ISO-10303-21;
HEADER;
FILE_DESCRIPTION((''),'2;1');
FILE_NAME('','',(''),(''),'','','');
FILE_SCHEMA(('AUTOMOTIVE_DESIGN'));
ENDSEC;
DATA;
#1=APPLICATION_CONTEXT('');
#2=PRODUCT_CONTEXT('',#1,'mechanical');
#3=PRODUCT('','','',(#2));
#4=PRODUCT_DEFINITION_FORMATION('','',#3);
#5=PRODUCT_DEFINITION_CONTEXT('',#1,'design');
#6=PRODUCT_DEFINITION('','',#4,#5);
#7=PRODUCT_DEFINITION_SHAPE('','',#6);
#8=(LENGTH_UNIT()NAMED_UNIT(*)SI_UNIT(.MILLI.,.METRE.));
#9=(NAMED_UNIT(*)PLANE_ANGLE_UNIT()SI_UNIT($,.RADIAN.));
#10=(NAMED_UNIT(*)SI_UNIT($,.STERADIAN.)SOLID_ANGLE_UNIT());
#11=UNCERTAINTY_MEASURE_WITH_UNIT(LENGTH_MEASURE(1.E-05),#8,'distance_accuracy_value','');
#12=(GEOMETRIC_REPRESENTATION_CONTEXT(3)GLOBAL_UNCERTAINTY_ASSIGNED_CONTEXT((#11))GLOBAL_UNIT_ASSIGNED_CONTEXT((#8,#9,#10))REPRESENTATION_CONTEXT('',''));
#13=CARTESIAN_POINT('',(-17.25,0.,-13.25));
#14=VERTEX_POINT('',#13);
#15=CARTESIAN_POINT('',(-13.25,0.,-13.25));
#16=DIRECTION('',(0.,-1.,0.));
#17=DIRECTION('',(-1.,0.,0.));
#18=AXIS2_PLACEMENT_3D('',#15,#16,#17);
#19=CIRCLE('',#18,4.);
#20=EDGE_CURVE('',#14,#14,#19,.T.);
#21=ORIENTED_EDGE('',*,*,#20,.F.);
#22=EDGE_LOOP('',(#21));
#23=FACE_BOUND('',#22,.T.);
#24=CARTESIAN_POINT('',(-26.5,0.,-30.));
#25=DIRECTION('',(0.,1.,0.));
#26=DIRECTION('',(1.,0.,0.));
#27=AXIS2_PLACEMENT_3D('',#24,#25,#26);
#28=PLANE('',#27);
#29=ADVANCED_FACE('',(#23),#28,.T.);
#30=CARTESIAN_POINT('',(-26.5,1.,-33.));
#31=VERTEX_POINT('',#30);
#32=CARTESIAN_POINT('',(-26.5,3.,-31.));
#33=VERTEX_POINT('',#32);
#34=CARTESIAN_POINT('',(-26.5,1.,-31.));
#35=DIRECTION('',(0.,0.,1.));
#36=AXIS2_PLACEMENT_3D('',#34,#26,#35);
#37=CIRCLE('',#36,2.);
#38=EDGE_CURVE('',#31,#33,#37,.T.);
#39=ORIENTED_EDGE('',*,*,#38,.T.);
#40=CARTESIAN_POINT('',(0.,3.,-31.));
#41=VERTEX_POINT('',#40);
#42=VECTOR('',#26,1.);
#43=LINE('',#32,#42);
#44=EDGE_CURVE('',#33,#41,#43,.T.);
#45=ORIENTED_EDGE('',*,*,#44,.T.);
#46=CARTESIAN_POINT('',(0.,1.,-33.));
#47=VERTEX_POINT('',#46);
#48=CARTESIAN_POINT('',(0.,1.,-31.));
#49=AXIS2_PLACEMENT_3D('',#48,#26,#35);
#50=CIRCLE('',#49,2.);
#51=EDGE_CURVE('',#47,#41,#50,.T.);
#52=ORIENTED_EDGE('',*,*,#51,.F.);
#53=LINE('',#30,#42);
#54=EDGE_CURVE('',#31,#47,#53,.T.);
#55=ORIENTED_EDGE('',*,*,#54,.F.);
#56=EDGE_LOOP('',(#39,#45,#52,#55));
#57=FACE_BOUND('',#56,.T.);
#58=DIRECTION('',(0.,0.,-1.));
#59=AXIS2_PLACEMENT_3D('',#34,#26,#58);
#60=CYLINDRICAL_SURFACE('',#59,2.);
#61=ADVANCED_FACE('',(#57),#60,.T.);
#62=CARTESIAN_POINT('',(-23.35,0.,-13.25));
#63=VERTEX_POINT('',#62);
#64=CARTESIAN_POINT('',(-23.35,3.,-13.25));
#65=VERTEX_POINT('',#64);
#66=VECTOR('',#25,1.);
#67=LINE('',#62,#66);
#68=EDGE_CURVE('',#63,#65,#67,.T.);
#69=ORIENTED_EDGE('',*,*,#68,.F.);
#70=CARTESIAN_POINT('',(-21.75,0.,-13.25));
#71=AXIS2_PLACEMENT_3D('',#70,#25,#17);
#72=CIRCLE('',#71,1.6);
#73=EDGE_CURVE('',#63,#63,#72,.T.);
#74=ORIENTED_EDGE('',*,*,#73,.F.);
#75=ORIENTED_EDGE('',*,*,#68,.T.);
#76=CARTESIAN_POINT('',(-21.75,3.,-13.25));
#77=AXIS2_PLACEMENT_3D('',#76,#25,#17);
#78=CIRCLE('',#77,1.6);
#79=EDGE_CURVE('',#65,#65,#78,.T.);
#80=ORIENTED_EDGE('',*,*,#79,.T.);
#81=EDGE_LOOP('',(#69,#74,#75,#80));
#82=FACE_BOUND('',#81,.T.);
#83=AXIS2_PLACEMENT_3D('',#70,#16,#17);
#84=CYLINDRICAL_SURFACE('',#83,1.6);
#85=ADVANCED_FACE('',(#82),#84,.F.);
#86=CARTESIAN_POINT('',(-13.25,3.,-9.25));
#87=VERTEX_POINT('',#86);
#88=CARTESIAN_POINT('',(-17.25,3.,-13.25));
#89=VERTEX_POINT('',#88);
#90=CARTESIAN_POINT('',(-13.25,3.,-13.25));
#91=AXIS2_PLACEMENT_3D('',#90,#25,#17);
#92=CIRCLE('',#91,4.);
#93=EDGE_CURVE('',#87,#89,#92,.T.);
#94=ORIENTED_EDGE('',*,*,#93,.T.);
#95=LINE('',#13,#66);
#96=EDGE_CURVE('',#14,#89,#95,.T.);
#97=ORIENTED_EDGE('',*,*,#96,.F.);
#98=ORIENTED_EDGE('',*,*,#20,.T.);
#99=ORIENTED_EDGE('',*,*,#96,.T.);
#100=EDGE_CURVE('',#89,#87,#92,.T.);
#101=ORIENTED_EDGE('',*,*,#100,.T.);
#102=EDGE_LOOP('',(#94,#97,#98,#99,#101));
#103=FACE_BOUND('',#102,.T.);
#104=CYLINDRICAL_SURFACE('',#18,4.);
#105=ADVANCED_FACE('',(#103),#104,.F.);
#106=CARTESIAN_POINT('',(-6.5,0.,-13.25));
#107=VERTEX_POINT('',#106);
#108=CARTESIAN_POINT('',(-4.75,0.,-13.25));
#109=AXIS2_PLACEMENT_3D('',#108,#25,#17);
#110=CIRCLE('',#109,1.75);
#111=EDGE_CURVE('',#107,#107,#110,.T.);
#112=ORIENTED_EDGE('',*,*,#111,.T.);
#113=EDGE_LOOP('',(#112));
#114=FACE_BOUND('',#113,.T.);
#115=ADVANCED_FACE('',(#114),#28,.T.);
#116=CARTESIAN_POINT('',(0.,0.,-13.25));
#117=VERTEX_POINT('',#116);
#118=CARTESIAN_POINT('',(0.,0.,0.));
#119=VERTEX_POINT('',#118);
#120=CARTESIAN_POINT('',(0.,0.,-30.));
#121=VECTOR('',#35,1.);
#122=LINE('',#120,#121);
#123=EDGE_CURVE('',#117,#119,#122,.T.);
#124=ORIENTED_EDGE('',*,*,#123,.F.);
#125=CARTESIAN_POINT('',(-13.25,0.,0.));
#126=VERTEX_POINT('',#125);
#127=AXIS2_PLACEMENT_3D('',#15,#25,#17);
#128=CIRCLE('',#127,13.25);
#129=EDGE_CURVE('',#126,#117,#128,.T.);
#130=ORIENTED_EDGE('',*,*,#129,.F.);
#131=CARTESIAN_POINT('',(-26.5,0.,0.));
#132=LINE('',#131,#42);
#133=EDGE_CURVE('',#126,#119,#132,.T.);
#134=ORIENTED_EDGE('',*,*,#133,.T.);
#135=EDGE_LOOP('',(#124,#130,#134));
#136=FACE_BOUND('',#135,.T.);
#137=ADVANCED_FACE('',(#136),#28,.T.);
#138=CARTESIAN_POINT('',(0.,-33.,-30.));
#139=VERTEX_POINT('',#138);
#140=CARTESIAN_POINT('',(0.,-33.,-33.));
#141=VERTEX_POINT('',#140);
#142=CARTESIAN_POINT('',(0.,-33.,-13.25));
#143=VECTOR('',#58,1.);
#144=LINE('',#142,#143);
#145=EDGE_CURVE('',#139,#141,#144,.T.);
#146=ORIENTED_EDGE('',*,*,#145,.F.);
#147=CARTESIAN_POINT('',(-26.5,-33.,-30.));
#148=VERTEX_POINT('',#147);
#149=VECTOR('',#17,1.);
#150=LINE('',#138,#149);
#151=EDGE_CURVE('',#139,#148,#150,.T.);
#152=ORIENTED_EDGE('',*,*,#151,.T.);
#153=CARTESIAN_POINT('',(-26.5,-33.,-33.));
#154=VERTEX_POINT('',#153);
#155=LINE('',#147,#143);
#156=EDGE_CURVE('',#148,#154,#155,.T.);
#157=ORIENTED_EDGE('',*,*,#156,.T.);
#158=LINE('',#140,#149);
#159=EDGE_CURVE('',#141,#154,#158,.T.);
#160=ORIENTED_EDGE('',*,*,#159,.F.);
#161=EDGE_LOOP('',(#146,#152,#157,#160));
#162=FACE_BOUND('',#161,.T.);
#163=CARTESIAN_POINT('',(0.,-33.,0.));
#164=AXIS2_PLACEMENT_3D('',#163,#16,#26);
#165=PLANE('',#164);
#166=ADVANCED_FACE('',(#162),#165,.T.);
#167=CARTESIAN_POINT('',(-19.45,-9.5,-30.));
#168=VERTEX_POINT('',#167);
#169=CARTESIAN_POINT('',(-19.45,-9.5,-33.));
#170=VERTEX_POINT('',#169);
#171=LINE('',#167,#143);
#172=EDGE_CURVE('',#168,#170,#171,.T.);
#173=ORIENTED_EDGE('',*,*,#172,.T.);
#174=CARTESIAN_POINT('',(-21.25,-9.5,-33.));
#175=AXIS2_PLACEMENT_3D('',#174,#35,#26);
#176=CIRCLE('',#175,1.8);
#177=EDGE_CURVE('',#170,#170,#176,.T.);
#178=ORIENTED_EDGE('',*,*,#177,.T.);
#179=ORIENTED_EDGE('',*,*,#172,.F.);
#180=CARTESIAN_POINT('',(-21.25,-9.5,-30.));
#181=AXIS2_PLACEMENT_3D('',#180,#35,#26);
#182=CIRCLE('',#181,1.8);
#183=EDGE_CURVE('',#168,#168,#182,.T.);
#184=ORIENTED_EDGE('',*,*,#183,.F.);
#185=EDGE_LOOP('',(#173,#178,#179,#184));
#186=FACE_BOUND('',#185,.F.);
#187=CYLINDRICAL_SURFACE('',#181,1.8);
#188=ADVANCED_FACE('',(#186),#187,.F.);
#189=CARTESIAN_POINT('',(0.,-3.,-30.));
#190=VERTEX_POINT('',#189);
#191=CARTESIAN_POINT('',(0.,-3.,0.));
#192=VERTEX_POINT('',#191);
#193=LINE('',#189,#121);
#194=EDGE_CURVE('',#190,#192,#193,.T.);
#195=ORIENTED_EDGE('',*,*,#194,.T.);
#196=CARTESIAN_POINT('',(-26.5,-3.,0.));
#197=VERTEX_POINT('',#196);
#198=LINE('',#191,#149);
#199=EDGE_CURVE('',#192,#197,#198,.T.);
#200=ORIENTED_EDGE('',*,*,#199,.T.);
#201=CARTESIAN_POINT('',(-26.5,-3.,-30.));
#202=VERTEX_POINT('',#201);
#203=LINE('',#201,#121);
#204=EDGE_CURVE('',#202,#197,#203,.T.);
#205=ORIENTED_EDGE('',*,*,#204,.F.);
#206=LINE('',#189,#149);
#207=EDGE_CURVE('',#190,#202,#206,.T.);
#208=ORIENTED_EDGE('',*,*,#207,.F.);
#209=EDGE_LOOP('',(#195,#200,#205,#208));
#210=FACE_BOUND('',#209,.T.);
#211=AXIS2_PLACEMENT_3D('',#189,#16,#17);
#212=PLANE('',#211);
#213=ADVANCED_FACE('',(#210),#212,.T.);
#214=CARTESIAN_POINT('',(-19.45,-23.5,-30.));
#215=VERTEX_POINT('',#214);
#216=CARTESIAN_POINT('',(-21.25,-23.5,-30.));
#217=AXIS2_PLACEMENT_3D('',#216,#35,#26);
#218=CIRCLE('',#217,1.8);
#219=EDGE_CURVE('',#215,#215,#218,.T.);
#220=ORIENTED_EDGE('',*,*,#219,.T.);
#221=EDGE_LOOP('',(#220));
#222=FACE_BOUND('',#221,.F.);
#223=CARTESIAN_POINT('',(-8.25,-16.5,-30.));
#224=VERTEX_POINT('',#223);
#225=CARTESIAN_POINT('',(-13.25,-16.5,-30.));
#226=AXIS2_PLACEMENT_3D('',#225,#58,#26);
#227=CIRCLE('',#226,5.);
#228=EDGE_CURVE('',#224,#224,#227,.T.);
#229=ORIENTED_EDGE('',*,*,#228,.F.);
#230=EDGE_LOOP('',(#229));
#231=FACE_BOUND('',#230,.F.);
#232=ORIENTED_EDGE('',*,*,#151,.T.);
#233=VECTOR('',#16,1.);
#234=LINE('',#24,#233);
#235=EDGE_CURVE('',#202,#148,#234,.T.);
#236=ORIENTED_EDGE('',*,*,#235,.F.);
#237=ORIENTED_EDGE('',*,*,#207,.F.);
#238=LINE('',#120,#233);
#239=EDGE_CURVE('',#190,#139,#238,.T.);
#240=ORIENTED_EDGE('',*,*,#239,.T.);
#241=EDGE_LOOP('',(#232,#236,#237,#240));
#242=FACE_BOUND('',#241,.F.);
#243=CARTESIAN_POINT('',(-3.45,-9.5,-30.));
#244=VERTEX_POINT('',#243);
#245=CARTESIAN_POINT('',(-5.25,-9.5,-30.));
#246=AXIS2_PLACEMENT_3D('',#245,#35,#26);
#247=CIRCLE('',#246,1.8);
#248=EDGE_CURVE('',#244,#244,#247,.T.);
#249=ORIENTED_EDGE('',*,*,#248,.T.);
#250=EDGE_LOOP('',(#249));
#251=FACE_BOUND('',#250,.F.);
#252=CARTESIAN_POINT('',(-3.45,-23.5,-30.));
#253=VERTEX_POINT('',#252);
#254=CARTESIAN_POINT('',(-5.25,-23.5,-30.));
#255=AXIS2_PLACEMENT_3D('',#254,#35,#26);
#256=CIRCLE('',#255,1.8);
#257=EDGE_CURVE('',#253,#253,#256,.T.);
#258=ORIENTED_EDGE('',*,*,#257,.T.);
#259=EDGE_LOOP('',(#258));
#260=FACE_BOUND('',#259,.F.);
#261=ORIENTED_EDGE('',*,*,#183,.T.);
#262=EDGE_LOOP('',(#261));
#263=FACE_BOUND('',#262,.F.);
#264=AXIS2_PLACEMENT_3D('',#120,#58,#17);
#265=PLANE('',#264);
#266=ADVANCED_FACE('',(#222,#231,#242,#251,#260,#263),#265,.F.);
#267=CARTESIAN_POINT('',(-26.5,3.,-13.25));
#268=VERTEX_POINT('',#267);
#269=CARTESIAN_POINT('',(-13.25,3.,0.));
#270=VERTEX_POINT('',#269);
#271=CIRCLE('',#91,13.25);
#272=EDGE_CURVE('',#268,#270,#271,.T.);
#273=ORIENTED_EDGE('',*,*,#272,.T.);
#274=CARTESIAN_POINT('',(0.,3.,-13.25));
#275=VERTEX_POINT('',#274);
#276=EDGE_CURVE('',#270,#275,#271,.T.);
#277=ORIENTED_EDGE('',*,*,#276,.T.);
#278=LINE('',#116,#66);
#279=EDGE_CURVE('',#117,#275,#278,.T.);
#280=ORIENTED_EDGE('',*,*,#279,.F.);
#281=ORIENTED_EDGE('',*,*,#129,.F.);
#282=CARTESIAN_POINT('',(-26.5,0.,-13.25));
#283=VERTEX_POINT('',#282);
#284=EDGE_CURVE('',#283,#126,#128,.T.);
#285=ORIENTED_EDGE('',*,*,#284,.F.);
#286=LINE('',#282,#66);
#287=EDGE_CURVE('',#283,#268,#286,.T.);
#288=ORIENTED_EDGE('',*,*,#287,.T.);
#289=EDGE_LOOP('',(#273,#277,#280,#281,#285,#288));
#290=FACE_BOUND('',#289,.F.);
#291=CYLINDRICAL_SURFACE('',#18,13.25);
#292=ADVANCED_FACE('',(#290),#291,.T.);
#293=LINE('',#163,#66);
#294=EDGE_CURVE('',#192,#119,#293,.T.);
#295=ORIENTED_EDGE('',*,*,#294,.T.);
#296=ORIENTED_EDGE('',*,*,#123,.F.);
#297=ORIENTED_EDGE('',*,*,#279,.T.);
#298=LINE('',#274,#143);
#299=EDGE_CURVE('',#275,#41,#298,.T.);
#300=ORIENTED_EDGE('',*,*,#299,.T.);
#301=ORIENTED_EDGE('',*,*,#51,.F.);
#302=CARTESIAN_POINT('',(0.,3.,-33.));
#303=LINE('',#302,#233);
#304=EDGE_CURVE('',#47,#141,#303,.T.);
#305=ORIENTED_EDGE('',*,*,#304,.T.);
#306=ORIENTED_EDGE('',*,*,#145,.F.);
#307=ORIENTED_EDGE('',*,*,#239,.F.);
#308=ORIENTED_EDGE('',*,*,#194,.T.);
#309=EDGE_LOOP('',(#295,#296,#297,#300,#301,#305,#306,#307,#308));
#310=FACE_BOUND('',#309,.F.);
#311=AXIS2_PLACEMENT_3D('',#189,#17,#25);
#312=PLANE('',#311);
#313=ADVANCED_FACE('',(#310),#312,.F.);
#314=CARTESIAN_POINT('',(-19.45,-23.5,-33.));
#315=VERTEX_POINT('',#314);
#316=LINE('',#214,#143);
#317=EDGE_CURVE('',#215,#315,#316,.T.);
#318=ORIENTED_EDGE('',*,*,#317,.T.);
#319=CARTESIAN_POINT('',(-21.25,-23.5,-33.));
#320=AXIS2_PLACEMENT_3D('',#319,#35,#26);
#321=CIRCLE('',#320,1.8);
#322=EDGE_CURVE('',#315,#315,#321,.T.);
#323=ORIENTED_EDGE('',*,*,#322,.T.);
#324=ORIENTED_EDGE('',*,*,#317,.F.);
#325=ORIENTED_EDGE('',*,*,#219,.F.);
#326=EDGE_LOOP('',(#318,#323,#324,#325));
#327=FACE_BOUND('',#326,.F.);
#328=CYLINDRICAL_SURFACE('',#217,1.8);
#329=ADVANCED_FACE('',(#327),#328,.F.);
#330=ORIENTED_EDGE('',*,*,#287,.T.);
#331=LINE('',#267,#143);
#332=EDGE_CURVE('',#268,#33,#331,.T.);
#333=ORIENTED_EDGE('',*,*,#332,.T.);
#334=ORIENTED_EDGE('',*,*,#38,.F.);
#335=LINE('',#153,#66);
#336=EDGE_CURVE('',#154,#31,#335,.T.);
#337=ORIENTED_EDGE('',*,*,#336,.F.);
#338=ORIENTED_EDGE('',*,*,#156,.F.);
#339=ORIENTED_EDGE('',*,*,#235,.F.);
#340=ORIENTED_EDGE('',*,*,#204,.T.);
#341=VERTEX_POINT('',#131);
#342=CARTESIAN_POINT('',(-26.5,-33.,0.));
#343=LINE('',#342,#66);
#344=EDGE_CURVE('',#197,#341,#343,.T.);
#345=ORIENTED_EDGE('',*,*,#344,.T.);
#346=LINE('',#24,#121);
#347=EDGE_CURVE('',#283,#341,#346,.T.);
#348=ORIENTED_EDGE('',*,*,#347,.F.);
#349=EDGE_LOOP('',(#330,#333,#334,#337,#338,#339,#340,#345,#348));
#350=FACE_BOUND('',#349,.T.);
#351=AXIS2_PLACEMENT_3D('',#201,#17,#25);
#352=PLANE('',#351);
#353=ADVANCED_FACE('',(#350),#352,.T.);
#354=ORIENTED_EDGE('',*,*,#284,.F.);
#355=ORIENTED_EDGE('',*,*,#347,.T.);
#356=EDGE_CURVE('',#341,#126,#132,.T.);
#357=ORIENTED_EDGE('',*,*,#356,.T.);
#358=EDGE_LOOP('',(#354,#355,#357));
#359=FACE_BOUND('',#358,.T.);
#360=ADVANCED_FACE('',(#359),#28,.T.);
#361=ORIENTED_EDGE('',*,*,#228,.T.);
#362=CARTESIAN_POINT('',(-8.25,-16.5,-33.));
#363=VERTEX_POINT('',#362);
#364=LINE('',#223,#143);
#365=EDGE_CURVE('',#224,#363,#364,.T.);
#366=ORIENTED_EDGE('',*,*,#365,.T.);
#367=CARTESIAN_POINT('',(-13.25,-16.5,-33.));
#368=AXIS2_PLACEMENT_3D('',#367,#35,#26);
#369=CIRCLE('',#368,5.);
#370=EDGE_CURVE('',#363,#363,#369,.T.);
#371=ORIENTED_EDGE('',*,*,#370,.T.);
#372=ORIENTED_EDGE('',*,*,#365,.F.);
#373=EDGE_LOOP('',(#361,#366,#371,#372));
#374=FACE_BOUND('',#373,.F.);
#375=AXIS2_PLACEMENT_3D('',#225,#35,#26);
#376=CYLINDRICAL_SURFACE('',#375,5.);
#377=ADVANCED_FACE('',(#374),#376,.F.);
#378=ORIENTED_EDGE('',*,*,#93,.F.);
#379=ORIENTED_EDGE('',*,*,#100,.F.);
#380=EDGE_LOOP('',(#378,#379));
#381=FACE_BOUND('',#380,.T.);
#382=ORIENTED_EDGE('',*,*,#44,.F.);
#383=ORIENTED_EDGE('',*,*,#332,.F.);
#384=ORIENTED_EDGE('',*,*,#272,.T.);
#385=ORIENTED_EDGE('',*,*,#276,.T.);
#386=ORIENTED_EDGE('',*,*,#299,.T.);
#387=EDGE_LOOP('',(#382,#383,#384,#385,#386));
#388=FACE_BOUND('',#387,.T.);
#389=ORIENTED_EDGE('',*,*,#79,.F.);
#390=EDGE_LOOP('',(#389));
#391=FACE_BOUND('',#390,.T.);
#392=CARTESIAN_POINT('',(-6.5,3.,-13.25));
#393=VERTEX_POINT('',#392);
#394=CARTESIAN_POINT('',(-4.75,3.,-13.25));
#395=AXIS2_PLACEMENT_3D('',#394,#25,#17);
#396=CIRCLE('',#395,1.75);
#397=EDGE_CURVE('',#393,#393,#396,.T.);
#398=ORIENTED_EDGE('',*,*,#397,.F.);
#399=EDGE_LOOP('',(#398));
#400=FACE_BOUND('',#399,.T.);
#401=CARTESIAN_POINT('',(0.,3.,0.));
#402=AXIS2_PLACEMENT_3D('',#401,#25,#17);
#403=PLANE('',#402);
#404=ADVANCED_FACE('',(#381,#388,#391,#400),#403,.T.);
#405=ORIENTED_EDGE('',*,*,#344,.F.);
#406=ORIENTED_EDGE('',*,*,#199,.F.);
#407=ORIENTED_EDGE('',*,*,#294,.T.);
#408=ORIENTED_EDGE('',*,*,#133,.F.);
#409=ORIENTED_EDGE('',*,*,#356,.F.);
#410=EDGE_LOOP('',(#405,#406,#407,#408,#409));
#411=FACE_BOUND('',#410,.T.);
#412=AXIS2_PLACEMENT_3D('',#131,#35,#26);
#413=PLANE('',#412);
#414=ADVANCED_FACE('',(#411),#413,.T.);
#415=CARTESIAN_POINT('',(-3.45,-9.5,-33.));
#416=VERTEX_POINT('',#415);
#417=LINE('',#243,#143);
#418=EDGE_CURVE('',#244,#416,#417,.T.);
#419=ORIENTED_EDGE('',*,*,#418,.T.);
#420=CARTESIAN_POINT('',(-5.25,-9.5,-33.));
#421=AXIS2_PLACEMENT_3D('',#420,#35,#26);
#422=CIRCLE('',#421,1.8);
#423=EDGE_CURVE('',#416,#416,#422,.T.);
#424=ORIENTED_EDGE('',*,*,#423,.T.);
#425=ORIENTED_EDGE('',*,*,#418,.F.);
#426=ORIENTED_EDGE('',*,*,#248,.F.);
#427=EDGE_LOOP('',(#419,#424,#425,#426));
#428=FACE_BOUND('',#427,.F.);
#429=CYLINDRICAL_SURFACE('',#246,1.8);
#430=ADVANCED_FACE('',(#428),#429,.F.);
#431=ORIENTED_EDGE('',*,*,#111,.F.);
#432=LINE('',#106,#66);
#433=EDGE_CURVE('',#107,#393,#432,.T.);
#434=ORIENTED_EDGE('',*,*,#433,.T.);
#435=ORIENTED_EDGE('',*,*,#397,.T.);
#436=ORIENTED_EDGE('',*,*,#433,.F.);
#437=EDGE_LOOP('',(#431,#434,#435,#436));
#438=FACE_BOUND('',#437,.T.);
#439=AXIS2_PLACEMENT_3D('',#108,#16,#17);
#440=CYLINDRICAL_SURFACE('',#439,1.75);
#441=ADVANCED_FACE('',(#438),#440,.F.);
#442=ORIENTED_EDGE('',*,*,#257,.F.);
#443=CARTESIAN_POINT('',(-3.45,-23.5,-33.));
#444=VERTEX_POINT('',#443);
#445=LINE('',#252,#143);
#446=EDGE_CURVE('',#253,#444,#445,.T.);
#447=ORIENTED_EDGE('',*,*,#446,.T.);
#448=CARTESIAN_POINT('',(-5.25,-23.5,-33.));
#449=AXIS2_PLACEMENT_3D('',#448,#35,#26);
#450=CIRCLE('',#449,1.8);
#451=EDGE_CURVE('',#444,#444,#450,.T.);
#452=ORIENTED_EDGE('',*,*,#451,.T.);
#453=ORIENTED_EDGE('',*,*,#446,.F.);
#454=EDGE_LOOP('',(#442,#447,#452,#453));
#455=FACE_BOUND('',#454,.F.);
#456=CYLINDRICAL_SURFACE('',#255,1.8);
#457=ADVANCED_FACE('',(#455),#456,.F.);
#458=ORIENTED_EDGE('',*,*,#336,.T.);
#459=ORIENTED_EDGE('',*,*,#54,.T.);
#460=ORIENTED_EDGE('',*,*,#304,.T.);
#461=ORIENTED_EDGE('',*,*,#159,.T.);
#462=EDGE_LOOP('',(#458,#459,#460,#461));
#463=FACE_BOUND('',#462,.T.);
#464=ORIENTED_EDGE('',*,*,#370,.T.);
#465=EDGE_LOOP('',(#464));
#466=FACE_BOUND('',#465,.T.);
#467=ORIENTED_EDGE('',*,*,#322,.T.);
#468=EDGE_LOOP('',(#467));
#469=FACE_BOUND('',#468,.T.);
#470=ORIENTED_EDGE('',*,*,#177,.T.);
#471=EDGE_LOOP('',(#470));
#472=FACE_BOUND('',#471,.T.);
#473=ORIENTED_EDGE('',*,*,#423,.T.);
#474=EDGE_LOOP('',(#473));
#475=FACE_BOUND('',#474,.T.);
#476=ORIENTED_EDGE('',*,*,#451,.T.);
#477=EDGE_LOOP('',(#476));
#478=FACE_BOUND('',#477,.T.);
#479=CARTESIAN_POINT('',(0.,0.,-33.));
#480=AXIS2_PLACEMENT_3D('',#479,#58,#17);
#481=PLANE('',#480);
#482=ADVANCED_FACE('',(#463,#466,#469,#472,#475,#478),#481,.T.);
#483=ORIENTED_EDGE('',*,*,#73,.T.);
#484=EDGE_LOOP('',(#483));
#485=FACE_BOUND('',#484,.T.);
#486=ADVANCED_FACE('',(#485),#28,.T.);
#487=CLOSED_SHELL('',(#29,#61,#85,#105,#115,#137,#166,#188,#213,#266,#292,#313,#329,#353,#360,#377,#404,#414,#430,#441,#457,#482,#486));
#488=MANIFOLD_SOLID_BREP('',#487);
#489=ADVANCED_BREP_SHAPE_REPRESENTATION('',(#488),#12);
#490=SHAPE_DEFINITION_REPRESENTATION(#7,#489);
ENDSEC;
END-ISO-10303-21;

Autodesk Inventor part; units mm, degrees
ref_plane "YZ Plane" through (0, 0, 0) normal (1, 0, 0) x (0, 1, 0)
ref_plane "XZ Plane" through (0, 0, 0) normal (0, 1, 0) x (-1, 0, 0)
ref_plane "XY Plane" through (0, 0, 0) normal (0, 0, 1) x (1, 0, 0)
sketch "Sketch1" plane through (0, 0, 0) normal (0, 1, 0) x (-1, 0, 0)
  line L0 (0, 0) -> (26.5, 0)
  line L1 (26.5, 0) -> (26.5, -33)
  line L2 (26.5, -33) -> (0, -33)
  line L3 (0, -33) -> (0, 0)
  line L4 (26.5, -33) -> (26.5, -30)
  line L5 (26.5, -30) -> (0, -30)
  circle A0 centre (13.25, -13.25) radius 4
  arc A1 (22.5449, -12.2666) -> (20.6583, -12.6119) centre (21.75, -13.25) ccw
  circle A2 centre (21.75, -13.25) radius 1.6
  circle A3 centre (4.75, -13.25) radius 1.75
  circle A4 centre (4.75, -13.25) radius 1.6
  circle A5 centre (13.25, -13.25) radius 13.25
  line L6 (13.25, -13.25) -> (13.25, 0)
  line L7 (13.25, 0) -> (13.25, -13.25)
  point P0 (0, -13.25)
  point P1 (26.5, -13.25)
  dimension "d9" = 26.5
  dimension "d3" = 26.5
  dimension "d4" = 33
  dimension "d5" = 3
  dimension "d6" = 8
  dimension "d7" = 3.2
  dimension "d8" = 3.2
  dimension "d10" = 13.25
extrude "Extrusion1" add sketch "Sketch1" along normal blind 3 contours A5 | A5 L1 L5 L3 | L5 L1 L2 L3
sketch "Sketch2" plane through (0, 0, 0) normal (0, -1, 0) x (1, 0, 0)
  line L0 (0, -33) -> (-26.5, -33) projected
  line L1 (0, -13.25) -> (0, -33) projected
  line L2 (-26.5, -33) -> (0, -33)
  line L3 (0, -33) -> (0, -30)
  line L4 (0, -30) -> (-26.5, -30)
  line L5 (-26.5, -30) -> (-26.5, -33)
  point P0 (0, 0)
  dimension "d13" = 3
extrude "Extrusion2" add sketch "Sketch2" along normal blind 33
fillet "Fillet1" radius 2 1 edges at (-13.25, 3, -33)
sketch "Sketch3" plane through (-26.5, 0, -30) normal (0, 0, 1) x (1, 0, 0)
  line L0 (26.5, -33) -> (0, -33) projected
  line L1 (13.25, -33) -> (13.25, 0)
  line L2 (0, 0) -> (0, -33) projected
  line L3 (0, -16.5) -> (26.5, -16.5)
  line L4 (26.5, 0) -> (26.5, -33) projected
  circle A0 centre (13.25, -16.5) radius 5
  line L5 (0, -16.5) -> (0, -23.5)
  line L6 (13.25, -33) -> (5.25, -33)
  circle A1 centre (5.25, -23.5) radius 1.8
  circle A2 centre (5.25, -9.5) radius 1.8
  circle A3 centre (21.25, -23.5) radius 1.8
  circle A4 centre (21.25, -9.5) radius 1.8
  dimension "d17" = 10
  dimension "d18" = 7
  dimension "d19" = 8
  dimension "d20" = 3.6
  dimension "d23" = 14
  dimension "d26" = 16
extrude "Extrusion3" cut sketch "Sketch3" against normal blind 33 contours A0 L3 L1 | L1 L3 A0 | L3 L1 A0 | L3 A0 L1 | A1 | A2 | A3 | A4
sketch "Sketch4" plane through (-26.5, 0, -30) normal (0, 0, 1) x (1, 0, 0)
  line L0 (0, -33) -> (0, 1) projected
  line L1 (26.5, 0) -> (0, 0)
  line L2 (0, 0) -> (0, -33)
  line L3 (0, -33) -> (26.5, -33)
  line L4 (26.5, -33) -> (26.5, 0)
  circle A0 centre (13.25, -16.5) radius 5
  circle A1 centre (21.25, -23.5) radius 1.8 projected
  circle A2 centre (21.25, -23.5) radius 1.8
  circle A3 centre (21.25, -9.5) radius 1.8 projected
  circle A4 centre (21.25, -9.5) radius 1.8
  circle A5 centre (5.25, -9.5) radius 1.8 projected
  circle A6 centre (5.25, -9.5) radius 1.8
  circle A7 centre (5.25, -23.5) radius 1.8 projected
  circle A8 centre (5.25, -23.5) radius 1.8
  line L5 (26.5, 0) -> (0, 0)
  line L6 (0, 0) -> (0, -33)
  line L7 (0, -33) -> (26.5, -33)
  line L8 (26.5, -33) -> (26.5, 0)
sketch "Sketch5" plane through (-26.5, 0, -30) normal (0, 0, 1) x (1, 0, 0)
  line L0 (0, -33) -> (0, 1) projected
  line L1 (26.5, -33) -> (26.5, 1) projected
  line L2 (0, 0) -> (26.5, 0)
  line L3 (26.5, 0) -> (26.5, -3)
  line L4 (26.5, -3) -> (0, -3)
  line L5 (0, -3) -> (0, 0)
  dimension "d31" = 3
extrude "Extrusion4" add sketch "Sketch5" along normal blind 30
sketch "Sketch6" plane through (-13.25, 0, -13.25) normal (0, 1, 0) x (1, 0, 0)
  circle A0 centre (0, 0) radius 4
  circle A1 centre (-8.5, 0) radius 1.6 projected
  circle A2 centre (-8.5, 0) radius 1.6
  circle A3 centre (8.5, 0) radius 1.75 projected
  circle A4 centre (8.5, 0) radius 1.75
  point P0 (13.25, -13.25)
properties part number "bracket jga"
